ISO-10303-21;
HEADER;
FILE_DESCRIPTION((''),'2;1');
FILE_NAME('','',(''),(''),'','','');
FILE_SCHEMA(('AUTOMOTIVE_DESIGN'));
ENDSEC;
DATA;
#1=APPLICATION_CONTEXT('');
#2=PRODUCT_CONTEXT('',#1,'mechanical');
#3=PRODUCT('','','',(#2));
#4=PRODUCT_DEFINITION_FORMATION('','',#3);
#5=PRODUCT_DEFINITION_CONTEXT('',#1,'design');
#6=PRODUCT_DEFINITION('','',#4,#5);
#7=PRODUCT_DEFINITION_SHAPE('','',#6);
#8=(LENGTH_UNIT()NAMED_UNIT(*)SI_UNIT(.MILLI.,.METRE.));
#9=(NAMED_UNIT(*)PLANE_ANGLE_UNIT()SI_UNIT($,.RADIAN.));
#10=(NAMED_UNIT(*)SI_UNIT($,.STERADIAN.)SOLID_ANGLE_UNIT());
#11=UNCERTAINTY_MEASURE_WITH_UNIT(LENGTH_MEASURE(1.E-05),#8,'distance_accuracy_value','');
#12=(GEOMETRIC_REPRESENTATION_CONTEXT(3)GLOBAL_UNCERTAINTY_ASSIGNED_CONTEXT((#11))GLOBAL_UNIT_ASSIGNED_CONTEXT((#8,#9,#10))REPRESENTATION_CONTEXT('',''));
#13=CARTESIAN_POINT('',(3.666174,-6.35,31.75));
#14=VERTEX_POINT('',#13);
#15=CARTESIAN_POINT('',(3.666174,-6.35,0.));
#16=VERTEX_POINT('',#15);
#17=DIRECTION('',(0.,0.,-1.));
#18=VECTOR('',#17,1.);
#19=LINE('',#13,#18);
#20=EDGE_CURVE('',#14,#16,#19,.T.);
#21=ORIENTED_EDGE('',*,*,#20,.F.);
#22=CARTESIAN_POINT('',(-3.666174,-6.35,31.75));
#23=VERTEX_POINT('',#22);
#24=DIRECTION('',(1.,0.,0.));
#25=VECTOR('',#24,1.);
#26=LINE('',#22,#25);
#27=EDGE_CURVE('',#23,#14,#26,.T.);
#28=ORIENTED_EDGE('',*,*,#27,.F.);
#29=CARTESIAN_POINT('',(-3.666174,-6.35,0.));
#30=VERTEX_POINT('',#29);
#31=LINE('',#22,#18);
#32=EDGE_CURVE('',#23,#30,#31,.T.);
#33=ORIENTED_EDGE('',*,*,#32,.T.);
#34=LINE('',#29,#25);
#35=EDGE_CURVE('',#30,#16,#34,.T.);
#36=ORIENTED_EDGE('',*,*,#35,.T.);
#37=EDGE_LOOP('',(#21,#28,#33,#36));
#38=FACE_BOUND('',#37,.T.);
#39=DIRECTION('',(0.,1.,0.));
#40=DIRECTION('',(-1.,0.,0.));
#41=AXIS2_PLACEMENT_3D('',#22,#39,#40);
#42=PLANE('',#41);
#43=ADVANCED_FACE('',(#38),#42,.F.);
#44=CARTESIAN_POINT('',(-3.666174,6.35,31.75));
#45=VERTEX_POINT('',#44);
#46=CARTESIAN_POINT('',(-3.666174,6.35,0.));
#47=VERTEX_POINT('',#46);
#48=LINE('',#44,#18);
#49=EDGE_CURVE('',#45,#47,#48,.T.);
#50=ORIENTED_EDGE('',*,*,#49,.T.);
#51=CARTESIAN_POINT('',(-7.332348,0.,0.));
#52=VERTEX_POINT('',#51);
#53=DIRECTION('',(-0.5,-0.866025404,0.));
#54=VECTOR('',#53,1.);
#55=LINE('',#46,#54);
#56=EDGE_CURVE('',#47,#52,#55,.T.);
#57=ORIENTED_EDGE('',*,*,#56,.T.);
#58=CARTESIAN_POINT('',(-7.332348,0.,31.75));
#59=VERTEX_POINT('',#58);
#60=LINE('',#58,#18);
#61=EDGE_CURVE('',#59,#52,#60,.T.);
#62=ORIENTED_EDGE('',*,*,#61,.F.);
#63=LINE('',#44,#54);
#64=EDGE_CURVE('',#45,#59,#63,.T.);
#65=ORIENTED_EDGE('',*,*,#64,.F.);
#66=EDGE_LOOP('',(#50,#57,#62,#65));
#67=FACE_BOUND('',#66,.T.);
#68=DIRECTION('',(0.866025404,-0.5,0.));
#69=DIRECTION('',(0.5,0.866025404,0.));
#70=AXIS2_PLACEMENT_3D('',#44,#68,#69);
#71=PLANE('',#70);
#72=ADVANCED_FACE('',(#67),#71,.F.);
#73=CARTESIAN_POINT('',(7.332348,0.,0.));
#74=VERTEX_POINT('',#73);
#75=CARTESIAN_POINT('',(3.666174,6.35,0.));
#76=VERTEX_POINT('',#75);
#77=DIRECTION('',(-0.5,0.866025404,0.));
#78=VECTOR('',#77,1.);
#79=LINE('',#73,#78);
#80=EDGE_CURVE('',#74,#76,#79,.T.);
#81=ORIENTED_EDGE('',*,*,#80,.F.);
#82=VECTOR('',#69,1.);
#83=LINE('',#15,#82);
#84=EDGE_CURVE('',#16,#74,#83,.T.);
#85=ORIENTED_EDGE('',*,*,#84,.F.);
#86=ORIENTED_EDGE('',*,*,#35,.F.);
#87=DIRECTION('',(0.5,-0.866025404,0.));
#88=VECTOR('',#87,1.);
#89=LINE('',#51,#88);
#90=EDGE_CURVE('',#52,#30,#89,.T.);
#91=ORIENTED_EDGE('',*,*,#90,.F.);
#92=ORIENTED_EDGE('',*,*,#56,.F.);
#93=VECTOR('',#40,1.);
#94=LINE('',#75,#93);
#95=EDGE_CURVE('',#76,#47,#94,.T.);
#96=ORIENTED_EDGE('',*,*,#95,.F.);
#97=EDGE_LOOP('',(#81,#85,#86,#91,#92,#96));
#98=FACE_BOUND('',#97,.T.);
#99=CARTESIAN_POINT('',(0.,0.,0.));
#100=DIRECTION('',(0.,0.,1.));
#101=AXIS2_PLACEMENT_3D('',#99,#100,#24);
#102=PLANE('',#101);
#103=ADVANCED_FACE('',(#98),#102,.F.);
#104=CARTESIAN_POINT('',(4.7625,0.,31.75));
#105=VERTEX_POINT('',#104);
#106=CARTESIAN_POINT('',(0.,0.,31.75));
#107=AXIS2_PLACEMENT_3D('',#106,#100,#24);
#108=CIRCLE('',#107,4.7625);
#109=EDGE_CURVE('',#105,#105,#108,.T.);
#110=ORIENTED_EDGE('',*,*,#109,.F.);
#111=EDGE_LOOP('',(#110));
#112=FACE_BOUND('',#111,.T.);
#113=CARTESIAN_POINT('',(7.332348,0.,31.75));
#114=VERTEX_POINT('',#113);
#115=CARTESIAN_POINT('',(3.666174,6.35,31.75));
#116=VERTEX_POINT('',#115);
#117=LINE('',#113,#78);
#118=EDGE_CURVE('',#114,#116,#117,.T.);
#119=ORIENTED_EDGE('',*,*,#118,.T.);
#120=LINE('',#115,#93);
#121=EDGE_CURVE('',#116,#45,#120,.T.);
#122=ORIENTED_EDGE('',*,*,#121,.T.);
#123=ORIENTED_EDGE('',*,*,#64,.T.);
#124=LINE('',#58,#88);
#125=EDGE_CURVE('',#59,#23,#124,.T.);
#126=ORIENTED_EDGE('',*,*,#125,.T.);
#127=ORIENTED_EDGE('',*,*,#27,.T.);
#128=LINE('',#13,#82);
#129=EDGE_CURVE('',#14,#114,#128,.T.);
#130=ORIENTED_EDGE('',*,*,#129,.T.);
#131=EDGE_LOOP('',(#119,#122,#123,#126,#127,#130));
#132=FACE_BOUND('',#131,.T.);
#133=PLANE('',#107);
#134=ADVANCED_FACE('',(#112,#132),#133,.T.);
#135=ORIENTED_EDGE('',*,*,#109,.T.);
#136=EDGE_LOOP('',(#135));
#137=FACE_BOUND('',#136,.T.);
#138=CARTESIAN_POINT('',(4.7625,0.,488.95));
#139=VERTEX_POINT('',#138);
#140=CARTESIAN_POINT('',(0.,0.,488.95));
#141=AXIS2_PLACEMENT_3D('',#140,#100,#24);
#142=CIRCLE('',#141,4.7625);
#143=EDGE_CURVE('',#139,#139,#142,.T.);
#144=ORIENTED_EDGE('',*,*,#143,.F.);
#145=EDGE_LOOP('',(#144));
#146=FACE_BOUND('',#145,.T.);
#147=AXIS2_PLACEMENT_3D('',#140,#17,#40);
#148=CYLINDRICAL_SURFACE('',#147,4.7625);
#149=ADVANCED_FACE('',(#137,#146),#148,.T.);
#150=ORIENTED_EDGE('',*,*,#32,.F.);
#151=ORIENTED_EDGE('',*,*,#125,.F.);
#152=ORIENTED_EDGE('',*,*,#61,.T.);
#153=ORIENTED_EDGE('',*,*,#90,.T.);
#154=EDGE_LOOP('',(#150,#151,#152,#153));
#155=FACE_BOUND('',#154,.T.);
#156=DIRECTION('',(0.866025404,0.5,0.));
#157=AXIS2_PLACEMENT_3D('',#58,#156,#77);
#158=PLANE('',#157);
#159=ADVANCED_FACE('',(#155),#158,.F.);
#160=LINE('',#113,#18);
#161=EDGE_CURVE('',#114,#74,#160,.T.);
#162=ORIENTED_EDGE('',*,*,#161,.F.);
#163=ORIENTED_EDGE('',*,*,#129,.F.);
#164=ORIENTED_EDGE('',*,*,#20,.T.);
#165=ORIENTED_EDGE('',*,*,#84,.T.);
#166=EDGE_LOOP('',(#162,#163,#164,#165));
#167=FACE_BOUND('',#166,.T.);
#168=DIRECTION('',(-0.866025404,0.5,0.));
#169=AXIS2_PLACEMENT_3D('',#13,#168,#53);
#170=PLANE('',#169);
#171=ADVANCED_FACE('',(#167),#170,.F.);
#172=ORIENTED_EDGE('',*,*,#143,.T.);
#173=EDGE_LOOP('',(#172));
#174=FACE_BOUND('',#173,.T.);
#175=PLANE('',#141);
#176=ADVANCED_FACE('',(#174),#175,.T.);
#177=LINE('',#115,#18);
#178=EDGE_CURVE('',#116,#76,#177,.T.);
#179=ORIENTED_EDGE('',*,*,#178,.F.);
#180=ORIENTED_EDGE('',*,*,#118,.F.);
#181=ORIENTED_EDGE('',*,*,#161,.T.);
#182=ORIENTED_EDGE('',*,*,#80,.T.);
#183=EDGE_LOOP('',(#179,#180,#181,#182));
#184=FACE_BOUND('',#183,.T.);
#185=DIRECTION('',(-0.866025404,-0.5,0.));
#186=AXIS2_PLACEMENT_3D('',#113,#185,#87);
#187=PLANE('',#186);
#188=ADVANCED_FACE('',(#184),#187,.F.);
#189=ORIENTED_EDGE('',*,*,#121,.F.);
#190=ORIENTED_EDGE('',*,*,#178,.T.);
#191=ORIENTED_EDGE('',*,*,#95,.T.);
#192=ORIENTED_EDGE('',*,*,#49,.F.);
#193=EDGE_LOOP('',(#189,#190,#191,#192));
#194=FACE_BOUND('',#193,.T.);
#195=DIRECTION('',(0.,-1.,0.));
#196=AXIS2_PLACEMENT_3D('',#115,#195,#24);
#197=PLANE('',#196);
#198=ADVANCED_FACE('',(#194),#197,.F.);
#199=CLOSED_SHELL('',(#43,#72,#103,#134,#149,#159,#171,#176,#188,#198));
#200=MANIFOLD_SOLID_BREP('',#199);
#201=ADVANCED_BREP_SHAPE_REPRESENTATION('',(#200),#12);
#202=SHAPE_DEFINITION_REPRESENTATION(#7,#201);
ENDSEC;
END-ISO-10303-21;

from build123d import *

# Parameters (mm, degrees)
BOSS_EXTRUDE1_DEPTH = 31.75
SKETCH2_R           = 4.7625
BOSS_EXTRUDE2_DEPTH = 457.2


with BuildPart() as part:
    # Sketch1 → Boss-Extrude1 (new body)
    with BuildSketch(Plane.XY):
        Polygon((7.332348419, 0), (3.666174209, 6.35), (-3.666174209, 6.35), (-7.332348419, 0), (-3.666174209, -6.35), (3.666174209, -6.35), align=None)
    extrude(amount=BOSS_EXTRUDE1_DEPTH)

    # Sketch2 → Boss-Extrude2 (add)
    with BuildSketch(Plane.XY.offset(31.75)):
        Circle(SKETCH2_R)
    extrude(amount=BOSS_EXTRUDE2_DEPTH)


solid = part.part
